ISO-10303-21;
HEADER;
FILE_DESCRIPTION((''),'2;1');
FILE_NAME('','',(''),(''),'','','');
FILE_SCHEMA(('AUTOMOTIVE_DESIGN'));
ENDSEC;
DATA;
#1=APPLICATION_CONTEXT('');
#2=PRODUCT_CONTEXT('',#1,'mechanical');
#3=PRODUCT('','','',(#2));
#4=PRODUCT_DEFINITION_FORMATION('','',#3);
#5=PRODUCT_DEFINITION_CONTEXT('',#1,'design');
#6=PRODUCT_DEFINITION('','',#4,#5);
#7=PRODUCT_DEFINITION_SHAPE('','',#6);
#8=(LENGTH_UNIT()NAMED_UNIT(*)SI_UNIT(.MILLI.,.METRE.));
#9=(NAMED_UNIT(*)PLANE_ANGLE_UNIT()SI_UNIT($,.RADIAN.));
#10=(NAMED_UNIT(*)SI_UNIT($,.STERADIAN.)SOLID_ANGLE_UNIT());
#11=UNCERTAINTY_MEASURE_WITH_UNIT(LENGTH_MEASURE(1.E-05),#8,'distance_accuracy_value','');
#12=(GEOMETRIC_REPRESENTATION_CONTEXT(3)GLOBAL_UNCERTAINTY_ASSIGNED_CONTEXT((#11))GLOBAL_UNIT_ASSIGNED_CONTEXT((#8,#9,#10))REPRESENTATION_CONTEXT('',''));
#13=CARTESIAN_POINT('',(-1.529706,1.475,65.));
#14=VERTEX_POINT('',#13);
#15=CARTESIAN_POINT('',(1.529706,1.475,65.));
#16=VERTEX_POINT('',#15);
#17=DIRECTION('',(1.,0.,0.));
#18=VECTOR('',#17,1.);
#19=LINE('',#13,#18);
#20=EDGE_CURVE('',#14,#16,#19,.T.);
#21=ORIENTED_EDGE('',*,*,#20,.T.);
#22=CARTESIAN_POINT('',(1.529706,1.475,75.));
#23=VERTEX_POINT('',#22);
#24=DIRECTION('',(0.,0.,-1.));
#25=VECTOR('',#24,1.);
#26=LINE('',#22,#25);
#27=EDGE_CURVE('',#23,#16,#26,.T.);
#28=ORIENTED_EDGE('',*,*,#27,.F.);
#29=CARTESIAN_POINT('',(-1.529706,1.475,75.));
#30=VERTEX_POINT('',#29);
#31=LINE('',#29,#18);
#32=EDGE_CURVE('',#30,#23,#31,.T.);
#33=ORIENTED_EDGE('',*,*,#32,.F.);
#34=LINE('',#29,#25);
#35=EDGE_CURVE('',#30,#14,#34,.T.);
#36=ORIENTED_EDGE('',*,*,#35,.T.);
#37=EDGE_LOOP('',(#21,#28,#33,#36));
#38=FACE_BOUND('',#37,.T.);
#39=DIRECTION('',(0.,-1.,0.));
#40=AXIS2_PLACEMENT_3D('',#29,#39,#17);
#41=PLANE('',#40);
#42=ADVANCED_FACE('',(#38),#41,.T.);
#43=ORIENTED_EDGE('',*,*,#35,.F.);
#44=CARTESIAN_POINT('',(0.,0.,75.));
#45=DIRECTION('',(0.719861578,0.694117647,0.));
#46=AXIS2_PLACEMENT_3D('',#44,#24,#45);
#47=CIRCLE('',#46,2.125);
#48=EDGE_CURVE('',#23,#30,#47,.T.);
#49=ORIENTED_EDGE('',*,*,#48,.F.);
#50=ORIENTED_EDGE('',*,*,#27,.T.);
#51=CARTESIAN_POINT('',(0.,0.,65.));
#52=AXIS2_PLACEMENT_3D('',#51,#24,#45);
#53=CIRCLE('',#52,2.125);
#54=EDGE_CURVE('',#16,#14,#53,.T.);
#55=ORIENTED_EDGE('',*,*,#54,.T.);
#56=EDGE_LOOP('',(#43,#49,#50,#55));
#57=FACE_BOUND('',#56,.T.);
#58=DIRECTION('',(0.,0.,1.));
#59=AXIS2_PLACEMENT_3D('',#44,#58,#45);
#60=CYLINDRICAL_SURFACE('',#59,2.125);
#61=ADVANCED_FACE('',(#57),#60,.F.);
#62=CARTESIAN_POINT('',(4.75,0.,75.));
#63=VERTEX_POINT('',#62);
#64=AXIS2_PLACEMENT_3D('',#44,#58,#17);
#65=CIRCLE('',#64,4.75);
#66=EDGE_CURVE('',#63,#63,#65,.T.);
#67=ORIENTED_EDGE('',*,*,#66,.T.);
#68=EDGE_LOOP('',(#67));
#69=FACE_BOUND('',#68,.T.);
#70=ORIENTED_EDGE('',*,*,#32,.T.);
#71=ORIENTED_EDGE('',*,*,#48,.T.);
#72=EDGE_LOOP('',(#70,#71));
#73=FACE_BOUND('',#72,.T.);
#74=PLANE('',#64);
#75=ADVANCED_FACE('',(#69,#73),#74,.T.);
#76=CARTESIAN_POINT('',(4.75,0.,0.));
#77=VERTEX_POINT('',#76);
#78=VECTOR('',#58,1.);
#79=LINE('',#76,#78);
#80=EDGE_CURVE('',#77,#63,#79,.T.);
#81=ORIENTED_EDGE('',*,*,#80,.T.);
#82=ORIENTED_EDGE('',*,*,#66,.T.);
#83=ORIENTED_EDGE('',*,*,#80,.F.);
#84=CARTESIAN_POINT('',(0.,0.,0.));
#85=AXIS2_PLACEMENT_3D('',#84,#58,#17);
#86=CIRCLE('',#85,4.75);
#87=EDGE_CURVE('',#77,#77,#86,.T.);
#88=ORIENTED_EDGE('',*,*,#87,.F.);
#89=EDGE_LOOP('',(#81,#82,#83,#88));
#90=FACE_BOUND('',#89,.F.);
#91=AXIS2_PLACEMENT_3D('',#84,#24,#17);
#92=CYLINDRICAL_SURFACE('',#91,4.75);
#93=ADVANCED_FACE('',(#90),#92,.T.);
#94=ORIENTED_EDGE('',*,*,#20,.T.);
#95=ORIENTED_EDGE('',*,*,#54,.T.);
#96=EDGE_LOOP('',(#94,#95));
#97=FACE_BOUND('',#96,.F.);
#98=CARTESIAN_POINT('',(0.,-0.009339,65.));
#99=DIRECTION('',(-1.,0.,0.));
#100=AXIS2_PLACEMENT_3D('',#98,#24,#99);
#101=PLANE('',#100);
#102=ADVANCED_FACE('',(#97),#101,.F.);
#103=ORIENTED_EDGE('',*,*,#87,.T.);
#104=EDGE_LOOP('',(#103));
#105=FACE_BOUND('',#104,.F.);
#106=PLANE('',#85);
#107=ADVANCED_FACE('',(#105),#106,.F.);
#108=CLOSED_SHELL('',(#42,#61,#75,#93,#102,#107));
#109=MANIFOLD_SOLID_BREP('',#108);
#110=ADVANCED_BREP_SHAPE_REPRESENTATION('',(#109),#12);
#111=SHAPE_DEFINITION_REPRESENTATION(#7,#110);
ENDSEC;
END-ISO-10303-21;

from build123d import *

# Parameters (mm, degrees)
SKETCH1_R           = 4.75
BOSS_EXTRUDE1_DEPTH = 75
CUT_EXTRUDE1_DEPTH  = 10


with BuildPart() as part:
    # Sketch1 → Boss-Extrude1 (new body)
    with BuildSketch(Plane.XY):
        Circle(SKETCH1_R)
    extrude(amount=BOSS_EXTRUDE1_DEPTH)

    # Sketch2 → Cut-Extrude1 (cut)
    with BuildSketch(Plane.XY.offset(75)):
        with BuildLine():
            Line((-1.529705854, 1.475), (1.529705854, 1.475))
            ThreePointArc((1.529705854, 1.475), (0, -2.125), (-1.529705854, 1.475))
        make_face()
    extrude(amount=-CUT_EXTRUDE1_DEPTH, mode=Mode.SUBTRACT)


solid = part.part
